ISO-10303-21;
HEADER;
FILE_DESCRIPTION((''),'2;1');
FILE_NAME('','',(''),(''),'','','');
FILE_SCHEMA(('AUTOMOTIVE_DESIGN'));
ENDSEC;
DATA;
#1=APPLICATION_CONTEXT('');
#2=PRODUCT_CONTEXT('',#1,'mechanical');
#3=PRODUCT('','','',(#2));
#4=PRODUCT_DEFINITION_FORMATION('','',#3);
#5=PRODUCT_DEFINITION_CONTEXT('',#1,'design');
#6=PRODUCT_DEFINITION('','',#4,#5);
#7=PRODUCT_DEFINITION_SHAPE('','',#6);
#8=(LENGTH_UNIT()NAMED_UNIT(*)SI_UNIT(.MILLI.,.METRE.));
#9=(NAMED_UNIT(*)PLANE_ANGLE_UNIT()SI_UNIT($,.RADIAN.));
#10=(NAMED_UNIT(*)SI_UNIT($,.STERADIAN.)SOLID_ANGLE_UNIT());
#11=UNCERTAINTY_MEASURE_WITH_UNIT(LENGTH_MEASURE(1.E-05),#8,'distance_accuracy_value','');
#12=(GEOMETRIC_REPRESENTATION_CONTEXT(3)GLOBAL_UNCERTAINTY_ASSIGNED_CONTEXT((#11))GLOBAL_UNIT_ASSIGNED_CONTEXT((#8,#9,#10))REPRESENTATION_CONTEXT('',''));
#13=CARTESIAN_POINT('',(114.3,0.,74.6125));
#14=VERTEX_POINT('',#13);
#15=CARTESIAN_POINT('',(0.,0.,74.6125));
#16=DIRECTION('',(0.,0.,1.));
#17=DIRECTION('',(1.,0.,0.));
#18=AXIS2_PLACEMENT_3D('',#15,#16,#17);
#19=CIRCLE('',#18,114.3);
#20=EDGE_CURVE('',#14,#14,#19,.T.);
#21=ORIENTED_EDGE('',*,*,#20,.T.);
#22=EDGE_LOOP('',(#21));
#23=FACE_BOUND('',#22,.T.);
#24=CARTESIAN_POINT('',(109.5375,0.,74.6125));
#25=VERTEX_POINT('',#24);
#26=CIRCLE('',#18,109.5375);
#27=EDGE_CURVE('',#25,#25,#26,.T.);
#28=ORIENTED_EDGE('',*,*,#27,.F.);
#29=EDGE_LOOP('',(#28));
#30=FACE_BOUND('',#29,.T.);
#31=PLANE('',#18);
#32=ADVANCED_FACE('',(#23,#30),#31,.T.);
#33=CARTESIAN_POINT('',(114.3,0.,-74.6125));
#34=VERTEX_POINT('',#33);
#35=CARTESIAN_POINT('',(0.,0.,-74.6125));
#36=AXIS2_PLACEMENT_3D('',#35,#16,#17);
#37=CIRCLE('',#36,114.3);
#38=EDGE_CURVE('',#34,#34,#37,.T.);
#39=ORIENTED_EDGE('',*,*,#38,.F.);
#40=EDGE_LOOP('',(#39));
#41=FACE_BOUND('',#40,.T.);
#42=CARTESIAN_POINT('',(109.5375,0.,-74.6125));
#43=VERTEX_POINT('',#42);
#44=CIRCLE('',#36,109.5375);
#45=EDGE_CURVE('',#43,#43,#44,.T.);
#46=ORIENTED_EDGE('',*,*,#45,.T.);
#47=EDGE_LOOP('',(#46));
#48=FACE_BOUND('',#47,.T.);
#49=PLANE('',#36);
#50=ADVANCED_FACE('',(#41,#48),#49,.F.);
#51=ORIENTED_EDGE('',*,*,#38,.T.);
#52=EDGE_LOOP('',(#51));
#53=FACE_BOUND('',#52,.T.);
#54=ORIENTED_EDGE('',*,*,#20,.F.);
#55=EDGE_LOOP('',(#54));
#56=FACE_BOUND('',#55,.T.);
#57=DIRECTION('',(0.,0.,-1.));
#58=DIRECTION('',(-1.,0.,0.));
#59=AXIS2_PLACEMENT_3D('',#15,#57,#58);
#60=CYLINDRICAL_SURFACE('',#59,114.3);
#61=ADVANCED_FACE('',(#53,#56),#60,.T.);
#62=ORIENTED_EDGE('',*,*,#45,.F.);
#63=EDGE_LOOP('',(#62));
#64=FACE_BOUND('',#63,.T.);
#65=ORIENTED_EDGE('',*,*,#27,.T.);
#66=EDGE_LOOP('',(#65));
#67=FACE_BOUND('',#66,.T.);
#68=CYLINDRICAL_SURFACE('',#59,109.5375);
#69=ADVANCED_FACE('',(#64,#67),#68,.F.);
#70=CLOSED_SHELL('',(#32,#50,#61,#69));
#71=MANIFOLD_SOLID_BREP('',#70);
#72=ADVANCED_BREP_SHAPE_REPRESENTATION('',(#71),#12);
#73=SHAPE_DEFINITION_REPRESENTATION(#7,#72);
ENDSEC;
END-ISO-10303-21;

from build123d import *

# Parameters (mm, degrees)
SKETCH1_R           = 114.3
SKETCH1_R_2         = 109.5375
BOSS_EXTRUDE1_DEPTH = 74.6125


with BuildPart() as part:
    # Sketch1 → Boss-Extrude1 (new body, symmetric)
    with BuildSketch(Plane.XY):
        Circle(SKETCH1_R)
        Circle(SKETCH1_R_2, mode=Mode.SUBTRACT)
    extrude(amount=BOSS_EXTRUDE1_DEPTH, both=True)


solid = part.part
